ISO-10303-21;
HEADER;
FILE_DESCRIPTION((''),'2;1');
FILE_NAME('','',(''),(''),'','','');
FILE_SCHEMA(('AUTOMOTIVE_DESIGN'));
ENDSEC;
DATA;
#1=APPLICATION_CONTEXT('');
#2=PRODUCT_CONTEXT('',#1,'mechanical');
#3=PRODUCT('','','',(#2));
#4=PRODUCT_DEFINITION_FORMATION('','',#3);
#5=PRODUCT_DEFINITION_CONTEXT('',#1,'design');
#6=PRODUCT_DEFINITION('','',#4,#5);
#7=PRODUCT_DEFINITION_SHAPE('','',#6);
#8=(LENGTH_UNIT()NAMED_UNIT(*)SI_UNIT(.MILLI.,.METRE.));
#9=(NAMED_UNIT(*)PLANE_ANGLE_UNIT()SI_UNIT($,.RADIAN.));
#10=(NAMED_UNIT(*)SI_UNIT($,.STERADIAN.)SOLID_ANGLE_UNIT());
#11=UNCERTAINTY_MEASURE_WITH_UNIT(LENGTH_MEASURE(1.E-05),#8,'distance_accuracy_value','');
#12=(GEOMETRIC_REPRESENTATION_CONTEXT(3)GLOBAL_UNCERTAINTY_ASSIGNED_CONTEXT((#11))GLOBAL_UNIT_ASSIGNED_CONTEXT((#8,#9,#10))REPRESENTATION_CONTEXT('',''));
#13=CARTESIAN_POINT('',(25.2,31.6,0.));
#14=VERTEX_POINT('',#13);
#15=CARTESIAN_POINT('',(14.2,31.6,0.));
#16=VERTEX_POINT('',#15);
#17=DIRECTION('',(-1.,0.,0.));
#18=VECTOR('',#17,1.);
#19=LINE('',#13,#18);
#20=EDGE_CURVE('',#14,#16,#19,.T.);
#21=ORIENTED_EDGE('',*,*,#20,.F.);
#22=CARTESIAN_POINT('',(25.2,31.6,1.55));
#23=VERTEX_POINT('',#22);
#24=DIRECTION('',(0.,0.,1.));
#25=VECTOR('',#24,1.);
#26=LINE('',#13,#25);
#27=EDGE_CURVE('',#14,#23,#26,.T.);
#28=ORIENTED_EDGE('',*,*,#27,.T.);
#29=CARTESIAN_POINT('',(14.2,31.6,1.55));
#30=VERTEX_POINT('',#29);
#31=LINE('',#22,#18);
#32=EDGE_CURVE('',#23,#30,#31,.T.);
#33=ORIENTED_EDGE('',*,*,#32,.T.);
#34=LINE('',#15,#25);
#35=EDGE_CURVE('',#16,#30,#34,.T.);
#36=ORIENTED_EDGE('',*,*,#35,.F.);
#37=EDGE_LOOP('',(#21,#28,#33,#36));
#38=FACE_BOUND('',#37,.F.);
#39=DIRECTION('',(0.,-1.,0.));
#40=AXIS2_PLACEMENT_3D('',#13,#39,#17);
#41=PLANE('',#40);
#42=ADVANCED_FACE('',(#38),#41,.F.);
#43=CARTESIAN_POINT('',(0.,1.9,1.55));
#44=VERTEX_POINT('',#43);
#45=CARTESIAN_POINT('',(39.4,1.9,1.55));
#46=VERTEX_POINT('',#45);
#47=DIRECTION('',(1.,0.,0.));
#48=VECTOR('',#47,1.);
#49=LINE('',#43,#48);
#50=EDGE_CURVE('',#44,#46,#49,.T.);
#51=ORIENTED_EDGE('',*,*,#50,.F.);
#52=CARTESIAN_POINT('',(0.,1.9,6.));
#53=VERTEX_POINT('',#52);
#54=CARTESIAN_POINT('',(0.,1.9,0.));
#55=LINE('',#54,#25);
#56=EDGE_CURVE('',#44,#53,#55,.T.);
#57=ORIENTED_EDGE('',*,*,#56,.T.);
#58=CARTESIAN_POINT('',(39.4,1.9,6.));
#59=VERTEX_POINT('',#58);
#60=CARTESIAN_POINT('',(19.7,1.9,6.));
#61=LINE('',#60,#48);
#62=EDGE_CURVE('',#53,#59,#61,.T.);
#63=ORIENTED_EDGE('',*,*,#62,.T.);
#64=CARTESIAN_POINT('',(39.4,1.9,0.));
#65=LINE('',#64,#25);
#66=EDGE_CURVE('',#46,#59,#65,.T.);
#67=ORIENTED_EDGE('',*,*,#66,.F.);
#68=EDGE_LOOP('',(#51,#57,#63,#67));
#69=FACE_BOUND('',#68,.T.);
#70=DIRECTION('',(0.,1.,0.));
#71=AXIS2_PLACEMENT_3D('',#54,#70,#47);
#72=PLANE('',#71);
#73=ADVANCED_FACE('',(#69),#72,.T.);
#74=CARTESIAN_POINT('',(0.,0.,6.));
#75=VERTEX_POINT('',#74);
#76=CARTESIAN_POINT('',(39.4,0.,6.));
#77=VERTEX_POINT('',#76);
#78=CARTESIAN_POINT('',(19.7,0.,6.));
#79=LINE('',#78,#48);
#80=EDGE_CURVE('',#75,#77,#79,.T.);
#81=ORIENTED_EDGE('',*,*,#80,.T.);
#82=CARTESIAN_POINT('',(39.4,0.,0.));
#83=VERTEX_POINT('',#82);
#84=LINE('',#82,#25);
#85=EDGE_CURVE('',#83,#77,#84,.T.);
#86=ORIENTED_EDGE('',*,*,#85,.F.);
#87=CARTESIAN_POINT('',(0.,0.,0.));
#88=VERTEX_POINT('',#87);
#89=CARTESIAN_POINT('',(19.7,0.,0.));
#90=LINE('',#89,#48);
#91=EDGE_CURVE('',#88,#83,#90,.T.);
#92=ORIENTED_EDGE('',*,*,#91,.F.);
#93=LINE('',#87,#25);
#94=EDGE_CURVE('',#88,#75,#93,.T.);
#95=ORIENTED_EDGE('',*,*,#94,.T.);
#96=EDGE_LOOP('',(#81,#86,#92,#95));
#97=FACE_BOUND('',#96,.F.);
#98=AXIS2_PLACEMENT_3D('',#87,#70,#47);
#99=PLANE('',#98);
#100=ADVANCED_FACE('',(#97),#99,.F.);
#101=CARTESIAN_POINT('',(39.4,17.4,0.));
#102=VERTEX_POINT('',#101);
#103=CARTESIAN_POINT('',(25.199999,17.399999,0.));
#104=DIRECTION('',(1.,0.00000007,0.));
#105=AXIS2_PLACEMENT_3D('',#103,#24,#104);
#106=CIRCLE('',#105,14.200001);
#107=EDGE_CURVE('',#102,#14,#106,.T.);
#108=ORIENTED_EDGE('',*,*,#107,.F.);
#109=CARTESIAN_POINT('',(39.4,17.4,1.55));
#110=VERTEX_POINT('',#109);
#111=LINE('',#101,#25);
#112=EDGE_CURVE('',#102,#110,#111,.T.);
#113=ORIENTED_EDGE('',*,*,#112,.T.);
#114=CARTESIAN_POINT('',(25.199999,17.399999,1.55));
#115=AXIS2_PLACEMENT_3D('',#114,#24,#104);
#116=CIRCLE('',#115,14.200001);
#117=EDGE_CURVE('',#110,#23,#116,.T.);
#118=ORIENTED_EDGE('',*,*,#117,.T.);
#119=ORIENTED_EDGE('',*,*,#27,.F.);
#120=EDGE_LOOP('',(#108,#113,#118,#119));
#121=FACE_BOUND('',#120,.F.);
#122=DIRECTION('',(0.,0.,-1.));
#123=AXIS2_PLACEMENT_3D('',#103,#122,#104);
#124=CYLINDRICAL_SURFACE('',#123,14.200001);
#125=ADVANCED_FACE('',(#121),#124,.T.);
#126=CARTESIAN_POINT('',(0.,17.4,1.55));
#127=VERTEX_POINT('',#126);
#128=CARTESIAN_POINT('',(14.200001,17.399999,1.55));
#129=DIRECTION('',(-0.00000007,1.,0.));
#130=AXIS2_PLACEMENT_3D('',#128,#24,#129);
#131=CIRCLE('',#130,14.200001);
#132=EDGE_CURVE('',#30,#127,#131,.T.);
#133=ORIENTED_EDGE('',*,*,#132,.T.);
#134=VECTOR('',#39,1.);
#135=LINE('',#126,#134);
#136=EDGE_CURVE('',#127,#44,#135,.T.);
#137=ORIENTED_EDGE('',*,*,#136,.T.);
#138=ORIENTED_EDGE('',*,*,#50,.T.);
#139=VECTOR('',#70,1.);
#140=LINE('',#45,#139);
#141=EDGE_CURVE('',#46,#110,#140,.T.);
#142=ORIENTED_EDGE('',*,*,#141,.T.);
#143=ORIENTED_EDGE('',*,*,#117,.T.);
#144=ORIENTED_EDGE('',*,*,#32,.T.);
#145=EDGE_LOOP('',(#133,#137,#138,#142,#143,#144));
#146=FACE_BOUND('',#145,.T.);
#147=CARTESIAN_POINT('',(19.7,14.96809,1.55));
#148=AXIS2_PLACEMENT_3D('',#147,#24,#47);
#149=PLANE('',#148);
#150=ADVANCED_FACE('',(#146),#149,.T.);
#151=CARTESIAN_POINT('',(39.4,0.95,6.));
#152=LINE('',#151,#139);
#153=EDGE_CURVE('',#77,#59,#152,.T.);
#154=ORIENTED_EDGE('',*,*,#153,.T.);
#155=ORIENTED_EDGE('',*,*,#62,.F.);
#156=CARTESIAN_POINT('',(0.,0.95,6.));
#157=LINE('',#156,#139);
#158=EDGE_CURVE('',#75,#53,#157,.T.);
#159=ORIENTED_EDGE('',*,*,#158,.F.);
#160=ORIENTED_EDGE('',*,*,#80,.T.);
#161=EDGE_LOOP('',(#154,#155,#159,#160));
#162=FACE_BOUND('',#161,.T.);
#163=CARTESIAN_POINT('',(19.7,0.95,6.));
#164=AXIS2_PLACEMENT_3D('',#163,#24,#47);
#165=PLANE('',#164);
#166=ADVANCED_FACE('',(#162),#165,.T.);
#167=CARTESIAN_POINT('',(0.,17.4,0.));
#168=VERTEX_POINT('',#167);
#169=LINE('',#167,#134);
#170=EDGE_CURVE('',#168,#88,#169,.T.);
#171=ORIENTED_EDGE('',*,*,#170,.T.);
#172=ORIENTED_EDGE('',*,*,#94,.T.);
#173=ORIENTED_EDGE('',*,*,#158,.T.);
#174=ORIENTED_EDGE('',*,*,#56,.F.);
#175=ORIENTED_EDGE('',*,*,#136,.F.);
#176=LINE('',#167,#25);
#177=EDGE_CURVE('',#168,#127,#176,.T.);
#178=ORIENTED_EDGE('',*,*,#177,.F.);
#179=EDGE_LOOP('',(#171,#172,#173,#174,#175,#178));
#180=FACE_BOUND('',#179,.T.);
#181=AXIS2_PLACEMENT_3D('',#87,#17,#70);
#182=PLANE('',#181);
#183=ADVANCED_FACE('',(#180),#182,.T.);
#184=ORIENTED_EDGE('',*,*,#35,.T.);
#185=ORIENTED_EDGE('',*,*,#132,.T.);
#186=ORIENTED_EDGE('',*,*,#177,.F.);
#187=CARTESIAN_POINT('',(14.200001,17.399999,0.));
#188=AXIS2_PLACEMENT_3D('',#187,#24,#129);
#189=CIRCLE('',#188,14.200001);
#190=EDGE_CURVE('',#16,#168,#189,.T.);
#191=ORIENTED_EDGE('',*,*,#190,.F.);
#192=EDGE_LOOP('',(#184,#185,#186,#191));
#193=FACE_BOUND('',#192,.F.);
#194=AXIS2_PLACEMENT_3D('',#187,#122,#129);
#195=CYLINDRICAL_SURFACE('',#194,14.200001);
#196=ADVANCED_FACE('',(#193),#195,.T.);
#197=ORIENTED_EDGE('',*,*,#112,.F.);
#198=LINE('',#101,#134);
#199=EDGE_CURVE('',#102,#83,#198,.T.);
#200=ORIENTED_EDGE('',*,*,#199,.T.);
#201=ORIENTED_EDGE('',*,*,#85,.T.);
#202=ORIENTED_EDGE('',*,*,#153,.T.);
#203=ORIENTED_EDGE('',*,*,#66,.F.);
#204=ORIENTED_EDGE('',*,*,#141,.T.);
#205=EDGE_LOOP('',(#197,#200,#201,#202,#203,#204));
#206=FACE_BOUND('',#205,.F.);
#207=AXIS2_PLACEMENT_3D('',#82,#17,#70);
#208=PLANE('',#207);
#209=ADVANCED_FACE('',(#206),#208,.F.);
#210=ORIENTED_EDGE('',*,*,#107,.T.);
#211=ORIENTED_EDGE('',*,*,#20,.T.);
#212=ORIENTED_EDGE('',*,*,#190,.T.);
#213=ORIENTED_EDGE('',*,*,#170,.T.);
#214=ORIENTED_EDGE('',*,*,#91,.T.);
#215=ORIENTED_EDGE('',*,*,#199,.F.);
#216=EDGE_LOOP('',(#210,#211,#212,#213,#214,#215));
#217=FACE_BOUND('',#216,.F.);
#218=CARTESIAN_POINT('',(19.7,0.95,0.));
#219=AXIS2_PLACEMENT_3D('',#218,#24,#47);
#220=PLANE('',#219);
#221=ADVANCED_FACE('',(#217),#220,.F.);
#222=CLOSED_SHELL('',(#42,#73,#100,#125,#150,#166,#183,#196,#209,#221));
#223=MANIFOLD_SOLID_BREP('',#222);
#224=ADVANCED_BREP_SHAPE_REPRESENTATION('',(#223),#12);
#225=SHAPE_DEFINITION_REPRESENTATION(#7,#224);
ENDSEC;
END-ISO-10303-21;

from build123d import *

# Parameters (mm, degrees)
F1_DEPTH = 1.55
F0_W     = 39.4
F0_H     = 1.9
F2_DEPTH = 6


with BuildPart() as f1:
    # F0 (on Top) → F1 (new body)
    with BuildSketch(Plane.XY):
        with BuildLine():
            Line((0, 17.4), (0, 1.9))
            Line((0, 1.9), (39.4, 1.9))
            Line((39.4, 1.9), (39.4, 17.4))
            ThreePointArc((39.4, 17.4), (35.240916, 27.440916), (25.2, 31.6))
            Line((25.2, 31.6), (14.2, 31.6))
            ThreePointArc((14.2, 31.6), (4.159084, 27.440916), (0, 17.4))
        make_face()
    extrude(amount=F1_DEPTH)

    # F0 (on Top) → F2 (join)
    with BuildSketch(Plane.XY):
        with Locations((19.7, 0.95)):
            Rectangle(F0_W, F0_H)
    extrude(amount=F2_DEPTH)


solid = f1.part
